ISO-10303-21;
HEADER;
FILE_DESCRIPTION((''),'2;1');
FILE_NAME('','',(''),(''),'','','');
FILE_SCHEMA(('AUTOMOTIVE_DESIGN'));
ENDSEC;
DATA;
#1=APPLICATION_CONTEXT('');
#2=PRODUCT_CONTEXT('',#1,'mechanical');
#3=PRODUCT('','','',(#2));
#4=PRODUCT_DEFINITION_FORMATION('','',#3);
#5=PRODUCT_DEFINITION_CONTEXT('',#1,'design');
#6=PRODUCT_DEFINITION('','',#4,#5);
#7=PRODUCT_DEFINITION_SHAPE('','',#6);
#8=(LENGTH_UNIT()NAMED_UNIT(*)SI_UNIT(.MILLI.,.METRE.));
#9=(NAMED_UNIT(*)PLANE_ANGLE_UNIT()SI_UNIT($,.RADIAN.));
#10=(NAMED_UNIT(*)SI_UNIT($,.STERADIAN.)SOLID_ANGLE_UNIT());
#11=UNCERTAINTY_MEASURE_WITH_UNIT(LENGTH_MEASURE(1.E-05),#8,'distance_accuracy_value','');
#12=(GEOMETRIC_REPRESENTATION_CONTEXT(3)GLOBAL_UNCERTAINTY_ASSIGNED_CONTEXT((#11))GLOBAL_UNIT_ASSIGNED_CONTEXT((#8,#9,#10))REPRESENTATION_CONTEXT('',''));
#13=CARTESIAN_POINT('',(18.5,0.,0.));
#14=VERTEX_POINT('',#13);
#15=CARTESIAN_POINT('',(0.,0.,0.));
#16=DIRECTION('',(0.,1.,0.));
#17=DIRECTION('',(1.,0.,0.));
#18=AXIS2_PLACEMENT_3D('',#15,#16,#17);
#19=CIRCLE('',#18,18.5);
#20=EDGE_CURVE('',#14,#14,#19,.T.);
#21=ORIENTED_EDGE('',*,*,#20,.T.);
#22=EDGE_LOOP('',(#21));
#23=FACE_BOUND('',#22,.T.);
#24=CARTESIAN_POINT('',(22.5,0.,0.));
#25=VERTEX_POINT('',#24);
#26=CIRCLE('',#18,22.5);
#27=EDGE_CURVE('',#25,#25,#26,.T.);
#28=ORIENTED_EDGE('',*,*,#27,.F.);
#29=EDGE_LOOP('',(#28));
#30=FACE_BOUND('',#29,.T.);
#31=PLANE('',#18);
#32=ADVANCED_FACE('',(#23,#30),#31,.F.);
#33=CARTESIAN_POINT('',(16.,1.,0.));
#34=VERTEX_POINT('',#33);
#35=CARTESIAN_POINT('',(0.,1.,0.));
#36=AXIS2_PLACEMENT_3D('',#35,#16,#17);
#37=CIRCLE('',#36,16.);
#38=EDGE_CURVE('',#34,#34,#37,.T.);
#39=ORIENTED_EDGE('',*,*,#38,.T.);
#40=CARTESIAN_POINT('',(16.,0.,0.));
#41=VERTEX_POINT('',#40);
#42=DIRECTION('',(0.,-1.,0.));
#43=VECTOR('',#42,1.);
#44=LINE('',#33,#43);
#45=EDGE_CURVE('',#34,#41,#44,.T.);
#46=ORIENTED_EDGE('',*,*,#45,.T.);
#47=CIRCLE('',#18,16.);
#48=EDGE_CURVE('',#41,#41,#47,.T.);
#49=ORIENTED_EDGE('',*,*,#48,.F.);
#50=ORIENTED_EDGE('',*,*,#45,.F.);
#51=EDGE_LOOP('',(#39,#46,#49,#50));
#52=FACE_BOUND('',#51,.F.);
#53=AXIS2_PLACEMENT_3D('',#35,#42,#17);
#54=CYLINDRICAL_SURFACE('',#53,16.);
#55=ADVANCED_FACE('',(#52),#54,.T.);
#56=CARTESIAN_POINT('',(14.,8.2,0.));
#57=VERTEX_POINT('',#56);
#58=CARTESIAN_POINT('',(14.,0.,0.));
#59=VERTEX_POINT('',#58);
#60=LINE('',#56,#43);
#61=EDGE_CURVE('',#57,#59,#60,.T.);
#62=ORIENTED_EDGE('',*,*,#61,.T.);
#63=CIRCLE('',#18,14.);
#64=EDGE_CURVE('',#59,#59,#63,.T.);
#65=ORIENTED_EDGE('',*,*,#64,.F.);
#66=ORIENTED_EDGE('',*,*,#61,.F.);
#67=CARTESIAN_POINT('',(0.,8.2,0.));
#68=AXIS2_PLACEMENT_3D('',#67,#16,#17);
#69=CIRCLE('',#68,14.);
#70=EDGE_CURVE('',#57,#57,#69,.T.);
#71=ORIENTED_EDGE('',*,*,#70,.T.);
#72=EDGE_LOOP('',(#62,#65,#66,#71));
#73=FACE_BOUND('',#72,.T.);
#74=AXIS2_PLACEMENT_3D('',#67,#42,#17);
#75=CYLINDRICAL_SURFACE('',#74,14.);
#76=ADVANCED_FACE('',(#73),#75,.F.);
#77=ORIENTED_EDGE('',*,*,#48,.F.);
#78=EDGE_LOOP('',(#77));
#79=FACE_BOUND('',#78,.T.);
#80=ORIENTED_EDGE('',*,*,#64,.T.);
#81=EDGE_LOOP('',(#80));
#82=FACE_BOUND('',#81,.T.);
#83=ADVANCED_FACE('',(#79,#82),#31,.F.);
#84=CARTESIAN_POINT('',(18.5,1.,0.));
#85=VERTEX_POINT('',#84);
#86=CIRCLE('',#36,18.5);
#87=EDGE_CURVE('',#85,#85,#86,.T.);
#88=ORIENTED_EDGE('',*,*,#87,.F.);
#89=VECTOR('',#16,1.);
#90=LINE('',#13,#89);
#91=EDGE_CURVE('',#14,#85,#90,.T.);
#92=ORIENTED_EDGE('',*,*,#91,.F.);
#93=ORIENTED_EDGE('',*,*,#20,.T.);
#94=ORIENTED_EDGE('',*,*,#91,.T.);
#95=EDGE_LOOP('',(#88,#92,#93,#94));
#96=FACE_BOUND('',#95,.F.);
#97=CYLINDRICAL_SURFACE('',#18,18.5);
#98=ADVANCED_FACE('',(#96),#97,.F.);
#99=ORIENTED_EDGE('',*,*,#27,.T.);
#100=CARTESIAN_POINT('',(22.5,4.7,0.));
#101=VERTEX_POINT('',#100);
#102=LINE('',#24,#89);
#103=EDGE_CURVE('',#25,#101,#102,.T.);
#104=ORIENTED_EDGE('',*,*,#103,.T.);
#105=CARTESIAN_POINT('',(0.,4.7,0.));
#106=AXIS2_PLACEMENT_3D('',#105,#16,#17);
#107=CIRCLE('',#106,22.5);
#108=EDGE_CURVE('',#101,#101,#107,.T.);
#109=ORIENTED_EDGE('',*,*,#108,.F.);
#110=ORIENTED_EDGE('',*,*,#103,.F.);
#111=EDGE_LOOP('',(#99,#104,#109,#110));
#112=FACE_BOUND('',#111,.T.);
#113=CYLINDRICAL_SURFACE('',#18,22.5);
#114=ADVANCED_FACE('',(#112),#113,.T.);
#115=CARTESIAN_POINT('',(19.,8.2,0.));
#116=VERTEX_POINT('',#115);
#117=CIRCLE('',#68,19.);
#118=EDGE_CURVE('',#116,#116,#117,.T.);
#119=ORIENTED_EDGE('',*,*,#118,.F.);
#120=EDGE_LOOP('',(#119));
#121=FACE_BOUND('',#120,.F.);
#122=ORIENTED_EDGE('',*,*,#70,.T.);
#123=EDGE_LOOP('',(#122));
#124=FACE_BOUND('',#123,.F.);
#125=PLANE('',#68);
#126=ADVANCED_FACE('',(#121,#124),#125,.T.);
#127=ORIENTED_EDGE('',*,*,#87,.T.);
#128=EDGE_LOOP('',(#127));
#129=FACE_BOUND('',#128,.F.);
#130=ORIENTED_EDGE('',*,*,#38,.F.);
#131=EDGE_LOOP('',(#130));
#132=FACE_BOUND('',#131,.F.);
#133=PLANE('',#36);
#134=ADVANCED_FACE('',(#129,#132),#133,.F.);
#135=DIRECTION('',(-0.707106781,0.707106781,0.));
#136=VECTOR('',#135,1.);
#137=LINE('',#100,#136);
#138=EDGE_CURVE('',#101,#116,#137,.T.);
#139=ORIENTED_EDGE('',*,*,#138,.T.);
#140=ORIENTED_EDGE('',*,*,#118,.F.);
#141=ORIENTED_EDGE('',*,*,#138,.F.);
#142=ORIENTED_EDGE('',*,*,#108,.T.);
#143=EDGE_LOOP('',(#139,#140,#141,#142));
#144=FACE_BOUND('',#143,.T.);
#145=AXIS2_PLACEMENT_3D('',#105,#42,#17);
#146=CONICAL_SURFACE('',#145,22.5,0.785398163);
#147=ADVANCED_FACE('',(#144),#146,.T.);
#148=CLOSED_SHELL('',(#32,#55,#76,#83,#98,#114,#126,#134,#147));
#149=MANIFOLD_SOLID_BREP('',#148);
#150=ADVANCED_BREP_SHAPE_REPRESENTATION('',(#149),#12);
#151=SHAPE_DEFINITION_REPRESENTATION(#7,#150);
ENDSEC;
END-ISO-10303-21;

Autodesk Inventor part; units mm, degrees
ref_plane "YZ Plane" through (0, 0, 0) normal (1, 0, 0) x (0, 1, 0)
ref_plane "XZ Plane" through (0, 0, 0) normal (0, 1, 0) x (-1, 0, 0)
ref_plane "XY Plane" through (0, 0, 0) normal (0, 0, 1) x (1, 0, 0)
sketch "草圖1" plane through (0, 0, 0) normal (0, 0, 1) x (1, 0, 0)
  line L0 (0, 0) -> (0, 8.2)
  line L1 (0, 0) -> (22.5, 0)
  line L2 (0, 8.2) -> (19, 8.2)
  line L3 (22.5, 0) -> (22.5, 4.7)
  line L4 (22.5, 4.7) -> (19, 8.2)
  line L5 (14, 8.2) -> (14, 0)
  line L6 (16, 0) -> (18.5, 0)
  line L7 (18.5, 0) -> (18.5, 1)
  line L8 (18.5, 1) -> (16, 1)
  line L9 (16, 1) -> (16, 0)
  dimension "d1" = 8.2
  dimension "d2" = 45
  dimension "d3" = 38
  dimension "d5" = 135
  dimension "d6" = 28
  dimension "d7" = 32
  dimension "d8" = 37
  dimension "d9" = 1
revolve "迴轉1" add sketch "草圖1" angle 360 about axis through (0, 0, 0) along (0, 1, 0) contours L5 L2 L4 L3 L1 L7 L8 L9
properties part number "KMB1201T 機械油封"
